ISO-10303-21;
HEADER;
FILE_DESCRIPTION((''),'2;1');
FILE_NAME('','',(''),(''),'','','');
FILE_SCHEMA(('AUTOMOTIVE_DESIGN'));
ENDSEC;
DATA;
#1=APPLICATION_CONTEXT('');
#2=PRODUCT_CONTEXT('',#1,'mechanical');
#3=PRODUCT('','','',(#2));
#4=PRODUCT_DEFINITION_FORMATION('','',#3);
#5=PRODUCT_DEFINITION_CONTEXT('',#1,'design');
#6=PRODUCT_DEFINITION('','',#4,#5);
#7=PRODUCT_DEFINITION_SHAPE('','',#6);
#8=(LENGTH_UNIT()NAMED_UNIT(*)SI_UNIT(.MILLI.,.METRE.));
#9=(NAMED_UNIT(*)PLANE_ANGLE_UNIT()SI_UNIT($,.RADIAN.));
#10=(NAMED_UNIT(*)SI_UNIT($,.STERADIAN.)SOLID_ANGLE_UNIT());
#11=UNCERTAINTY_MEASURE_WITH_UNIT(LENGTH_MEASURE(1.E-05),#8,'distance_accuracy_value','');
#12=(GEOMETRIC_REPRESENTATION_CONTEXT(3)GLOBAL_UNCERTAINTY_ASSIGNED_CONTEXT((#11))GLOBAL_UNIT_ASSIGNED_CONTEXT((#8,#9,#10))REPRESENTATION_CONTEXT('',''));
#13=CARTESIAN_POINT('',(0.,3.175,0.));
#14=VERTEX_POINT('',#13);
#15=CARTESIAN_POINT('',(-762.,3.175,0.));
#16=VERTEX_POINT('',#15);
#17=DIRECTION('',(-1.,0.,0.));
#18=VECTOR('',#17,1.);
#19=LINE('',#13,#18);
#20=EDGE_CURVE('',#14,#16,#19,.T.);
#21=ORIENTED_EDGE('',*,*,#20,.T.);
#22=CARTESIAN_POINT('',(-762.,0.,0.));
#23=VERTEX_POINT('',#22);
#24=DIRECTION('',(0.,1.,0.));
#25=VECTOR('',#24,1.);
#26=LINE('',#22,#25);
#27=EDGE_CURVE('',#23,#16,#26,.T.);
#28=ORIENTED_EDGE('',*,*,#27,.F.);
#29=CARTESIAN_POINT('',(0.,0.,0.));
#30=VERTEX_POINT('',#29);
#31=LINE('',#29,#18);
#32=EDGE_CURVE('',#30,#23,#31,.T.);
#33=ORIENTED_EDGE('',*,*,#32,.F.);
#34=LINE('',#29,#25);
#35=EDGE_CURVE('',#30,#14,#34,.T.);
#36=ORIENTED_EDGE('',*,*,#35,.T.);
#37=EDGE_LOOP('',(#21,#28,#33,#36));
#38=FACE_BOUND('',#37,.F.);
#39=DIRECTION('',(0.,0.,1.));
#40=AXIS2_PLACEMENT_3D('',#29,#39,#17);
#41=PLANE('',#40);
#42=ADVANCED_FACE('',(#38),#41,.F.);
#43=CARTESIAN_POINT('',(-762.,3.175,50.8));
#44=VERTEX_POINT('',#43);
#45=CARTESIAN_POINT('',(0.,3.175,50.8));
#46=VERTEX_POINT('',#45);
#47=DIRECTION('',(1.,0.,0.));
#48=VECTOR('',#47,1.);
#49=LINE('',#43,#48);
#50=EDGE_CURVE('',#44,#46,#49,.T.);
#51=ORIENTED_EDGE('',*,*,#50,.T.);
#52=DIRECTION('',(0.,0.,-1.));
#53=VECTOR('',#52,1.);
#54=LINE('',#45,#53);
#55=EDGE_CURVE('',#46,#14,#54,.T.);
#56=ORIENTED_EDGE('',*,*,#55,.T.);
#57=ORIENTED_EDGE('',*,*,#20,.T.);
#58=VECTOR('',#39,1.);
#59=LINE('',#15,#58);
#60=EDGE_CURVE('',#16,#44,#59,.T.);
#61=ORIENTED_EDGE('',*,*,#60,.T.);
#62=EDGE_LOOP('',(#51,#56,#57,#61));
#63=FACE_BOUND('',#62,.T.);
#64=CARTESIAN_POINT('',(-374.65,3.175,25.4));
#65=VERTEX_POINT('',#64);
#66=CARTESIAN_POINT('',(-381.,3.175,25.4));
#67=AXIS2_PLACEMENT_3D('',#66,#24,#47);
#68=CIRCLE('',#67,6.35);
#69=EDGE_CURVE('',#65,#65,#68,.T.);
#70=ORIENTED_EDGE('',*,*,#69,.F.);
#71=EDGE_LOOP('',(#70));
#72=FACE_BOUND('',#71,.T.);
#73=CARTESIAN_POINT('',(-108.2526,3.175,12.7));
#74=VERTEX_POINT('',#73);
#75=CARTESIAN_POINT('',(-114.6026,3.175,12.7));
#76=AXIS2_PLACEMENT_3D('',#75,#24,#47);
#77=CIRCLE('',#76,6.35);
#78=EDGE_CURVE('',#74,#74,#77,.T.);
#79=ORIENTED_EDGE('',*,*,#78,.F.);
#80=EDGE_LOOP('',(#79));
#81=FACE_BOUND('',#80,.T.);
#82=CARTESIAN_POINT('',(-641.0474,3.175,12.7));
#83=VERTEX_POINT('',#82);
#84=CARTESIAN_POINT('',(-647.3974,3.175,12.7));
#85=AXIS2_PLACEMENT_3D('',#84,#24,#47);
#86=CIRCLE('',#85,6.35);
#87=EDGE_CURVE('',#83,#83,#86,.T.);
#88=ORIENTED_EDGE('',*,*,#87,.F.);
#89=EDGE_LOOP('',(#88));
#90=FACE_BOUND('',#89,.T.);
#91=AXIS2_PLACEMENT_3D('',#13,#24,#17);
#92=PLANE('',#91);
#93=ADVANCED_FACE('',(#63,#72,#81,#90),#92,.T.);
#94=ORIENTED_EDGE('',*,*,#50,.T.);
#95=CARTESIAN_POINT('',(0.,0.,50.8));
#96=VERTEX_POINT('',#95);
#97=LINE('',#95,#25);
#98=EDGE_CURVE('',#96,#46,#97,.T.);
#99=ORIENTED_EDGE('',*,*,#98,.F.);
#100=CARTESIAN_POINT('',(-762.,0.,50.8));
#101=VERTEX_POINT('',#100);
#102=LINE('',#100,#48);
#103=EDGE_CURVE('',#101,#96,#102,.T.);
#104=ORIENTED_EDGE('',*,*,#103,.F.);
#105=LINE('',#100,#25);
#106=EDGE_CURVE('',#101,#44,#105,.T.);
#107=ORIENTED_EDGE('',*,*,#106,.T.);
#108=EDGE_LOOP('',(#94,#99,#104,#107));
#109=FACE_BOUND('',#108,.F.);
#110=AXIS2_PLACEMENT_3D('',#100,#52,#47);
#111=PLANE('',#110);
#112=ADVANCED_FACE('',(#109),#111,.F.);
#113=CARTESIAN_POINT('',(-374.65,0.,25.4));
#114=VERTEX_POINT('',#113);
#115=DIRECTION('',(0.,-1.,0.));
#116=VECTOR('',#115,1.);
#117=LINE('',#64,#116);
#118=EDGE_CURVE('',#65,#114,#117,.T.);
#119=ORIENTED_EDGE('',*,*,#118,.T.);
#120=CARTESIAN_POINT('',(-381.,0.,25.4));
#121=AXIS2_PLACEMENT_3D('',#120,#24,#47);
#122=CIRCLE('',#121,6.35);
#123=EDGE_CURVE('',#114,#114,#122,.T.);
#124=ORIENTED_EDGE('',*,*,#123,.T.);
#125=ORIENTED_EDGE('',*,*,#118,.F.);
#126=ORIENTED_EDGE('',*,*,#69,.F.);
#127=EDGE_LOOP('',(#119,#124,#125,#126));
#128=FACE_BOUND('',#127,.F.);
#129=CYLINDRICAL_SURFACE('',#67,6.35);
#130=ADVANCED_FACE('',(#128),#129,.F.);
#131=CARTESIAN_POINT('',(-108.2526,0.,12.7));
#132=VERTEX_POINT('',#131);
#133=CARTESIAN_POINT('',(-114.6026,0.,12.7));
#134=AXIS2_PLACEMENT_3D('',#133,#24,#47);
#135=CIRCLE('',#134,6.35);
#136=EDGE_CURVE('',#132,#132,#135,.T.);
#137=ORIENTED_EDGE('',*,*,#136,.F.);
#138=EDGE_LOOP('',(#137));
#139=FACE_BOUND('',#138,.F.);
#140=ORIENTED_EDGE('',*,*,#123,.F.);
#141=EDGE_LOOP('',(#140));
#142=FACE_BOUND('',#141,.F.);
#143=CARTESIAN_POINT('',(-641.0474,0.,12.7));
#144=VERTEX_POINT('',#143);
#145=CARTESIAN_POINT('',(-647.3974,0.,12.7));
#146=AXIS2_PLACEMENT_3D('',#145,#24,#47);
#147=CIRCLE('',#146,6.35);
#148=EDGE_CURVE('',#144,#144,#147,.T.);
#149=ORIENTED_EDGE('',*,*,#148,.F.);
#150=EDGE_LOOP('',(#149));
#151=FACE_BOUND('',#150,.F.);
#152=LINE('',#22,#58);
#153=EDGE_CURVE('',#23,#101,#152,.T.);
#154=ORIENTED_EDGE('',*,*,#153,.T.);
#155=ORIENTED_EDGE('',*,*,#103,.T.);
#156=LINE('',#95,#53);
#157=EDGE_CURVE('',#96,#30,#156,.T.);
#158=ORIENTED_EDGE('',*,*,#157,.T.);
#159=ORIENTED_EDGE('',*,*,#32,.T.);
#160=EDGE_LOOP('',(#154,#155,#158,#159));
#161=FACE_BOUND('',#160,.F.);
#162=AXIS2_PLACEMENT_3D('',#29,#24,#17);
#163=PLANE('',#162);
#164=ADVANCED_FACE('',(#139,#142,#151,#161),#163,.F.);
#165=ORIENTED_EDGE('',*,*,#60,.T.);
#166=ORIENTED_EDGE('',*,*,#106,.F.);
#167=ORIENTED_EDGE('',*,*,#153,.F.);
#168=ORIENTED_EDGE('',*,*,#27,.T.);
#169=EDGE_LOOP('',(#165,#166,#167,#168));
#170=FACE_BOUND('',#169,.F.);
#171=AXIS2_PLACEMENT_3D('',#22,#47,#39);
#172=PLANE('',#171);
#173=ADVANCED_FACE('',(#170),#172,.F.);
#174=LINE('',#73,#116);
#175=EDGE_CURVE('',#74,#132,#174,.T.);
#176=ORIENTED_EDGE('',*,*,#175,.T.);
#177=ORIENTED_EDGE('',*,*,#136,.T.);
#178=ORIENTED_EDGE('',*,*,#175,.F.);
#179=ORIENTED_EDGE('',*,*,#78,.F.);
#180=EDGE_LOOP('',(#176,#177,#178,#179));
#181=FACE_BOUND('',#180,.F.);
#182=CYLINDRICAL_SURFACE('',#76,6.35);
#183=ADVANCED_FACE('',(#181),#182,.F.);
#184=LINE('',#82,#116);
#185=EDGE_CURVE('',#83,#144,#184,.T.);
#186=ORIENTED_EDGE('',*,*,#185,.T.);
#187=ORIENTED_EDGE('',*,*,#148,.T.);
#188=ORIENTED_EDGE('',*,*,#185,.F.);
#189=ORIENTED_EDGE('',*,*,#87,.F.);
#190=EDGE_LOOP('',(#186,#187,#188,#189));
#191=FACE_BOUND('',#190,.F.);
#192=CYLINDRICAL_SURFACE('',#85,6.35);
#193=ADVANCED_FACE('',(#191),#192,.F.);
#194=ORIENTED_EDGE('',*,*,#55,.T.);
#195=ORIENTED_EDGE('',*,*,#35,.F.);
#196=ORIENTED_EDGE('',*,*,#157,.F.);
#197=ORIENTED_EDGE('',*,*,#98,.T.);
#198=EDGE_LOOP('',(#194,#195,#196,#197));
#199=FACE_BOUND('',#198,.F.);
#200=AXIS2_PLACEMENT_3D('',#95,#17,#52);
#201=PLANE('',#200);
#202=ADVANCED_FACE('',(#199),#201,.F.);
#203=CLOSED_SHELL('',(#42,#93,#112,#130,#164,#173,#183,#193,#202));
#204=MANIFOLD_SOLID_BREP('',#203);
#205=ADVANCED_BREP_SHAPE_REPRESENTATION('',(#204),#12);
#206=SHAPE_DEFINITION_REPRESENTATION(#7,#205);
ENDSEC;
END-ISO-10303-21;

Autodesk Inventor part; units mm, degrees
ref_plane "YZ Plane" through (0, 0, 0) normal (1, 0, 0) x (0, 1, 0)
ref_plane "XZ Plane" through (0, 0, 0) normal (0, 1, 0) x (-1, 0, 0)
ref_plane "XY Plane" through (0, 0, 0) normal (0, 0, 1) x (1, 0, 0)
sketch "Sketch1" plane through (0, 0, 0) normal (0, 1, 0) x (-1, 0, 0)
  line L0 (0, 0) -> (762, 0)
  line L1 (762, 0) -> (762, 50.8)
  line L2 (762, 50.8) -> (0, 50.8)
  line L3 (0, 50.8) -> (0, 0)
  dimension "d0" = 762
  dimension "d1" = 50.8
extrude "Extrusion1" add sketch "Sketch1" along normal blind 3.175
sketch "Sketch2" plane through (0, 3.175, 0) normal (0, 1, 0) x (1, 0, 0)
  circle A0 centre (-381, -25.4) radius 6.35
  line L0 (0, 0) -> (-762, 0) projected
  line L1 (0, -50.8) -> (0, 0) projected
  circle A1 centre (-114.6026, -12.7) radius 6.35
  line L2 (-762, -50.8) -> (0, -50.8) projected
  circle A2 centre (-647.3974, -12.7) radius 6.35
  dimension "d4" = 12.7
  dimension "d5" = 25.4
  dimension "d6" = 381
  dimension "d9" = 12.7
  dimension "d10" = 38.1
  dimension "d11" = 266.7
  dimension "d12" = 12.7
  dimension "d13" = 38.1
  dimension "d14" = 266.7
extrude "Extrusion2" cut sketch "Sketch2" against normal blind 3.175
properties part number "side plate" material "Aluminum 6061"
